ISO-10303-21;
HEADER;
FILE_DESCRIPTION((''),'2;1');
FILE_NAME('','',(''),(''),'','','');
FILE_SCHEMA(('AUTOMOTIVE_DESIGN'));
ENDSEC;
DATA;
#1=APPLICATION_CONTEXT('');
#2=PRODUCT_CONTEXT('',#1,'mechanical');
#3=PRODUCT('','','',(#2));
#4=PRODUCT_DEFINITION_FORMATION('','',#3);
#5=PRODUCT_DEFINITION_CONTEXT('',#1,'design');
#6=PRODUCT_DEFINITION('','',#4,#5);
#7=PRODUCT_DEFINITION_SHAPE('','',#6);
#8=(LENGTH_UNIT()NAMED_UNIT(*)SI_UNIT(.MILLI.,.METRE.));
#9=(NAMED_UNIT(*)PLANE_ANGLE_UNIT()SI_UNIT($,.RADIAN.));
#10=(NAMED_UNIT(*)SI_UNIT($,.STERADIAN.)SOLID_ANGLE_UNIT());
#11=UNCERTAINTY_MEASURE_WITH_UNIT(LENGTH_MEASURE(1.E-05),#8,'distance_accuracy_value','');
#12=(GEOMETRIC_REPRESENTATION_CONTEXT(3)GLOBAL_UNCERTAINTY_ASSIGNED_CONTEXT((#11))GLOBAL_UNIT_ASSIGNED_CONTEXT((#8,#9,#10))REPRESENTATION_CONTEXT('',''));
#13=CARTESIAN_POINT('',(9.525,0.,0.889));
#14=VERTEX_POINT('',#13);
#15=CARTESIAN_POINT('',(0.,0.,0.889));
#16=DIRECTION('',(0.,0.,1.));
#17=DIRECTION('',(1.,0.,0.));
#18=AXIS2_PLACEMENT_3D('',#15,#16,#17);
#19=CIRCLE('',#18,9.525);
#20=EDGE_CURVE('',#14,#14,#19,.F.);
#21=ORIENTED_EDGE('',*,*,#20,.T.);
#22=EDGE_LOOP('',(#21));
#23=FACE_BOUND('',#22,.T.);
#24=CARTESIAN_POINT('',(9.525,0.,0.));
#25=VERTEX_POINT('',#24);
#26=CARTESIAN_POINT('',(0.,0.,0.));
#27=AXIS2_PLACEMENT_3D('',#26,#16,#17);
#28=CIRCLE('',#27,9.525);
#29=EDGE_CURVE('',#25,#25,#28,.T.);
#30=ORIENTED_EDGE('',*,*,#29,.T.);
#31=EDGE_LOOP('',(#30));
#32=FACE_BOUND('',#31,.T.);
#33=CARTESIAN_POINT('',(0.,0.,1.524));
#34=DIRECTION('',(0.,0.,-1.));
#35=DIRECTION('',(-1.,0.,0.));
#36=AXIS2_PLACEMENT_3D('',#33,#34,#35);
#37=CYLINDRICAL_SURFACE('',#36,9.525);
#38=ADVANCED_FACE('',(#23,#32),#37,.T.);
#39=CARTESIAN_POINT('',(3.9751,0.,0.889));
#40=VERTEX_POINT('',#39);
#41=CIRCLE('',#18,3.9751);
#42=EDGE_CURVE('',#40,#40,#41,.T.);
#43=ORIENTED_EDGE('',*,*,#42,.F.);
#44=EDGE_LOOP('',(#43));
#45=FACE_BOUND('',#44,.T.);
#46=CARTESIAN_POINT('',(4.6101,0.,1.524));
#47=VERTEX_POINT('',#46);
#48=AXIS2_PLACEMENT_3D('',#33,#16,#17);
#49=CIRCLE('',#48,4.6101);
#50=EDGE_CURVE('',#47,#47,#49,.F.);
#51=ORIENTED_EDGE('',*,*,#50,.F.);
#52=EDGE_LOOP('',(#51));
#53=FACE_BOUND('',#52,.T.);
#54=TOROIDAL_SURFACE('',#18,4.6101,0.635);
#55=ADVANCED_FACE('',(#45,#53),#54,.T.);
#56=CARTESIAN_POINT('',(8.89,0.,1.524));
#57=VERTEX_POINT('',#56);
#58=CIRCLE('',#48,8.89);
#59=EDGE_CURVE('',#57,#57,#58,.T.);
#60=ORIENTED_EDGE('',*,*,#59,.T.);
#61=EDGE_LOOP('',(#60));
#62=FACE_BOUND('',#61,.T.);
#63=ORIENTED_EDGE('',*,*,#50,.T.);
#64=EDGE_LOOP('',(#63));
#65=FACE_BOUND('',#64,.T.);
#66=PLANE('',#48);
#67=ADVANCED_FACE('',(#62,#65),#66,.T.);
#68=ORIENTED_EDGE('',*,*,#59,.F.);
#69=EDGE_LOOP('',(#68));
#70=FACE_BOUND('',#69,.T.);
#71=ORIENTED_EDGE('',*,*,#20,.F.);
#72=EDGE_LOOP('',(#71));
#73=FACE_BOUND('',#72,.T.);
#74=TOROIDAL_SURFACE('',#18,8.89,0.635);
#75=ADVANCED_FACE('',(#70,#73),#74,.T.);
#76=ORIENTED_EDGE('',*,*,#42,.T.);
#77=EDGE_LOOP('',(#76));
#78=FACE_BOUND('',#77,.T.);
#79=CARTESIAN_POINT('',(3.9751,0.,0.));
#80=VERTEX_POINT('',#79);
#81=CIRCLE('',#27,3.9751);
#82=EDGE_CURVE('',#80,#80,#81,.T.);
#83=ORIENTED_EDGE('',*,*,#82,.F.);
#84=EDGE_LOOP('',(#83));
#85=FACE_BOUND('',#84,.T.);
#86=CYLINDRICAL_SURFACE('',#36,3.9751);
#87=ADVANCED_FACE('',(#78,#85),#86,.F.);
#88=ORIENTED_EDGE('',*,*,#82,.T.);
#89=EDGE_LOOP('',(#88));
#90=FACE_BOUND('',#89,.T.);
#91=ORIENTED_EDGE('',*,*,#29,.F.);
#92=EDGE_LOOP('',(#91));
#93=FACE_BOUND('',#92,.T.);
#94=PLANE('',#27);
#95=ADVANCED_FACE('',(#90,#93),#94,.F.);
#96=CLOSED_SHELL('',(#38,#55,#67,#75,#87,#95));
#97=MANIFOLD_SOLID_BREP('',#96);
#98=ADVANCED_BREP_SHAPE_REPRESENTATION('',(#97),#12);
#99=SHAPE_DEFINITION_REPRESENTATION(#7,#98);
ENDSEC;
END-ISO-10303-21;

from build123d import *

# Parameters (mm, degrees)
SKETCH1_R           = 9.525
SKETCH1_R_2         = 3.9751
BOSS_EXTRUDE1_DEPTH = 1.524
FILLET1_R           = 0.635


with BuildPart() as part:
    # Sketch1 → Boss-Extrude1 (new body)
    with BuildSketch(Plane.XY):
        Circle(SKETCH1_R)
        Circle(SKETCH1_R_2, mode=Mode.SUBTRACT)
    extrude(amount=BOSS_EXTRUDE1_DEPTH)

    # Fillet1
    fillet1_edges = [part.edges().sort_by_distance(p)[0] for p in [
        (-9.525, 0, 1.524),
        (-3.9751, 0, 1.524),
    ]]
    fillet(fillet1_edges, radius=FILLET1_R)


solid = part.part
